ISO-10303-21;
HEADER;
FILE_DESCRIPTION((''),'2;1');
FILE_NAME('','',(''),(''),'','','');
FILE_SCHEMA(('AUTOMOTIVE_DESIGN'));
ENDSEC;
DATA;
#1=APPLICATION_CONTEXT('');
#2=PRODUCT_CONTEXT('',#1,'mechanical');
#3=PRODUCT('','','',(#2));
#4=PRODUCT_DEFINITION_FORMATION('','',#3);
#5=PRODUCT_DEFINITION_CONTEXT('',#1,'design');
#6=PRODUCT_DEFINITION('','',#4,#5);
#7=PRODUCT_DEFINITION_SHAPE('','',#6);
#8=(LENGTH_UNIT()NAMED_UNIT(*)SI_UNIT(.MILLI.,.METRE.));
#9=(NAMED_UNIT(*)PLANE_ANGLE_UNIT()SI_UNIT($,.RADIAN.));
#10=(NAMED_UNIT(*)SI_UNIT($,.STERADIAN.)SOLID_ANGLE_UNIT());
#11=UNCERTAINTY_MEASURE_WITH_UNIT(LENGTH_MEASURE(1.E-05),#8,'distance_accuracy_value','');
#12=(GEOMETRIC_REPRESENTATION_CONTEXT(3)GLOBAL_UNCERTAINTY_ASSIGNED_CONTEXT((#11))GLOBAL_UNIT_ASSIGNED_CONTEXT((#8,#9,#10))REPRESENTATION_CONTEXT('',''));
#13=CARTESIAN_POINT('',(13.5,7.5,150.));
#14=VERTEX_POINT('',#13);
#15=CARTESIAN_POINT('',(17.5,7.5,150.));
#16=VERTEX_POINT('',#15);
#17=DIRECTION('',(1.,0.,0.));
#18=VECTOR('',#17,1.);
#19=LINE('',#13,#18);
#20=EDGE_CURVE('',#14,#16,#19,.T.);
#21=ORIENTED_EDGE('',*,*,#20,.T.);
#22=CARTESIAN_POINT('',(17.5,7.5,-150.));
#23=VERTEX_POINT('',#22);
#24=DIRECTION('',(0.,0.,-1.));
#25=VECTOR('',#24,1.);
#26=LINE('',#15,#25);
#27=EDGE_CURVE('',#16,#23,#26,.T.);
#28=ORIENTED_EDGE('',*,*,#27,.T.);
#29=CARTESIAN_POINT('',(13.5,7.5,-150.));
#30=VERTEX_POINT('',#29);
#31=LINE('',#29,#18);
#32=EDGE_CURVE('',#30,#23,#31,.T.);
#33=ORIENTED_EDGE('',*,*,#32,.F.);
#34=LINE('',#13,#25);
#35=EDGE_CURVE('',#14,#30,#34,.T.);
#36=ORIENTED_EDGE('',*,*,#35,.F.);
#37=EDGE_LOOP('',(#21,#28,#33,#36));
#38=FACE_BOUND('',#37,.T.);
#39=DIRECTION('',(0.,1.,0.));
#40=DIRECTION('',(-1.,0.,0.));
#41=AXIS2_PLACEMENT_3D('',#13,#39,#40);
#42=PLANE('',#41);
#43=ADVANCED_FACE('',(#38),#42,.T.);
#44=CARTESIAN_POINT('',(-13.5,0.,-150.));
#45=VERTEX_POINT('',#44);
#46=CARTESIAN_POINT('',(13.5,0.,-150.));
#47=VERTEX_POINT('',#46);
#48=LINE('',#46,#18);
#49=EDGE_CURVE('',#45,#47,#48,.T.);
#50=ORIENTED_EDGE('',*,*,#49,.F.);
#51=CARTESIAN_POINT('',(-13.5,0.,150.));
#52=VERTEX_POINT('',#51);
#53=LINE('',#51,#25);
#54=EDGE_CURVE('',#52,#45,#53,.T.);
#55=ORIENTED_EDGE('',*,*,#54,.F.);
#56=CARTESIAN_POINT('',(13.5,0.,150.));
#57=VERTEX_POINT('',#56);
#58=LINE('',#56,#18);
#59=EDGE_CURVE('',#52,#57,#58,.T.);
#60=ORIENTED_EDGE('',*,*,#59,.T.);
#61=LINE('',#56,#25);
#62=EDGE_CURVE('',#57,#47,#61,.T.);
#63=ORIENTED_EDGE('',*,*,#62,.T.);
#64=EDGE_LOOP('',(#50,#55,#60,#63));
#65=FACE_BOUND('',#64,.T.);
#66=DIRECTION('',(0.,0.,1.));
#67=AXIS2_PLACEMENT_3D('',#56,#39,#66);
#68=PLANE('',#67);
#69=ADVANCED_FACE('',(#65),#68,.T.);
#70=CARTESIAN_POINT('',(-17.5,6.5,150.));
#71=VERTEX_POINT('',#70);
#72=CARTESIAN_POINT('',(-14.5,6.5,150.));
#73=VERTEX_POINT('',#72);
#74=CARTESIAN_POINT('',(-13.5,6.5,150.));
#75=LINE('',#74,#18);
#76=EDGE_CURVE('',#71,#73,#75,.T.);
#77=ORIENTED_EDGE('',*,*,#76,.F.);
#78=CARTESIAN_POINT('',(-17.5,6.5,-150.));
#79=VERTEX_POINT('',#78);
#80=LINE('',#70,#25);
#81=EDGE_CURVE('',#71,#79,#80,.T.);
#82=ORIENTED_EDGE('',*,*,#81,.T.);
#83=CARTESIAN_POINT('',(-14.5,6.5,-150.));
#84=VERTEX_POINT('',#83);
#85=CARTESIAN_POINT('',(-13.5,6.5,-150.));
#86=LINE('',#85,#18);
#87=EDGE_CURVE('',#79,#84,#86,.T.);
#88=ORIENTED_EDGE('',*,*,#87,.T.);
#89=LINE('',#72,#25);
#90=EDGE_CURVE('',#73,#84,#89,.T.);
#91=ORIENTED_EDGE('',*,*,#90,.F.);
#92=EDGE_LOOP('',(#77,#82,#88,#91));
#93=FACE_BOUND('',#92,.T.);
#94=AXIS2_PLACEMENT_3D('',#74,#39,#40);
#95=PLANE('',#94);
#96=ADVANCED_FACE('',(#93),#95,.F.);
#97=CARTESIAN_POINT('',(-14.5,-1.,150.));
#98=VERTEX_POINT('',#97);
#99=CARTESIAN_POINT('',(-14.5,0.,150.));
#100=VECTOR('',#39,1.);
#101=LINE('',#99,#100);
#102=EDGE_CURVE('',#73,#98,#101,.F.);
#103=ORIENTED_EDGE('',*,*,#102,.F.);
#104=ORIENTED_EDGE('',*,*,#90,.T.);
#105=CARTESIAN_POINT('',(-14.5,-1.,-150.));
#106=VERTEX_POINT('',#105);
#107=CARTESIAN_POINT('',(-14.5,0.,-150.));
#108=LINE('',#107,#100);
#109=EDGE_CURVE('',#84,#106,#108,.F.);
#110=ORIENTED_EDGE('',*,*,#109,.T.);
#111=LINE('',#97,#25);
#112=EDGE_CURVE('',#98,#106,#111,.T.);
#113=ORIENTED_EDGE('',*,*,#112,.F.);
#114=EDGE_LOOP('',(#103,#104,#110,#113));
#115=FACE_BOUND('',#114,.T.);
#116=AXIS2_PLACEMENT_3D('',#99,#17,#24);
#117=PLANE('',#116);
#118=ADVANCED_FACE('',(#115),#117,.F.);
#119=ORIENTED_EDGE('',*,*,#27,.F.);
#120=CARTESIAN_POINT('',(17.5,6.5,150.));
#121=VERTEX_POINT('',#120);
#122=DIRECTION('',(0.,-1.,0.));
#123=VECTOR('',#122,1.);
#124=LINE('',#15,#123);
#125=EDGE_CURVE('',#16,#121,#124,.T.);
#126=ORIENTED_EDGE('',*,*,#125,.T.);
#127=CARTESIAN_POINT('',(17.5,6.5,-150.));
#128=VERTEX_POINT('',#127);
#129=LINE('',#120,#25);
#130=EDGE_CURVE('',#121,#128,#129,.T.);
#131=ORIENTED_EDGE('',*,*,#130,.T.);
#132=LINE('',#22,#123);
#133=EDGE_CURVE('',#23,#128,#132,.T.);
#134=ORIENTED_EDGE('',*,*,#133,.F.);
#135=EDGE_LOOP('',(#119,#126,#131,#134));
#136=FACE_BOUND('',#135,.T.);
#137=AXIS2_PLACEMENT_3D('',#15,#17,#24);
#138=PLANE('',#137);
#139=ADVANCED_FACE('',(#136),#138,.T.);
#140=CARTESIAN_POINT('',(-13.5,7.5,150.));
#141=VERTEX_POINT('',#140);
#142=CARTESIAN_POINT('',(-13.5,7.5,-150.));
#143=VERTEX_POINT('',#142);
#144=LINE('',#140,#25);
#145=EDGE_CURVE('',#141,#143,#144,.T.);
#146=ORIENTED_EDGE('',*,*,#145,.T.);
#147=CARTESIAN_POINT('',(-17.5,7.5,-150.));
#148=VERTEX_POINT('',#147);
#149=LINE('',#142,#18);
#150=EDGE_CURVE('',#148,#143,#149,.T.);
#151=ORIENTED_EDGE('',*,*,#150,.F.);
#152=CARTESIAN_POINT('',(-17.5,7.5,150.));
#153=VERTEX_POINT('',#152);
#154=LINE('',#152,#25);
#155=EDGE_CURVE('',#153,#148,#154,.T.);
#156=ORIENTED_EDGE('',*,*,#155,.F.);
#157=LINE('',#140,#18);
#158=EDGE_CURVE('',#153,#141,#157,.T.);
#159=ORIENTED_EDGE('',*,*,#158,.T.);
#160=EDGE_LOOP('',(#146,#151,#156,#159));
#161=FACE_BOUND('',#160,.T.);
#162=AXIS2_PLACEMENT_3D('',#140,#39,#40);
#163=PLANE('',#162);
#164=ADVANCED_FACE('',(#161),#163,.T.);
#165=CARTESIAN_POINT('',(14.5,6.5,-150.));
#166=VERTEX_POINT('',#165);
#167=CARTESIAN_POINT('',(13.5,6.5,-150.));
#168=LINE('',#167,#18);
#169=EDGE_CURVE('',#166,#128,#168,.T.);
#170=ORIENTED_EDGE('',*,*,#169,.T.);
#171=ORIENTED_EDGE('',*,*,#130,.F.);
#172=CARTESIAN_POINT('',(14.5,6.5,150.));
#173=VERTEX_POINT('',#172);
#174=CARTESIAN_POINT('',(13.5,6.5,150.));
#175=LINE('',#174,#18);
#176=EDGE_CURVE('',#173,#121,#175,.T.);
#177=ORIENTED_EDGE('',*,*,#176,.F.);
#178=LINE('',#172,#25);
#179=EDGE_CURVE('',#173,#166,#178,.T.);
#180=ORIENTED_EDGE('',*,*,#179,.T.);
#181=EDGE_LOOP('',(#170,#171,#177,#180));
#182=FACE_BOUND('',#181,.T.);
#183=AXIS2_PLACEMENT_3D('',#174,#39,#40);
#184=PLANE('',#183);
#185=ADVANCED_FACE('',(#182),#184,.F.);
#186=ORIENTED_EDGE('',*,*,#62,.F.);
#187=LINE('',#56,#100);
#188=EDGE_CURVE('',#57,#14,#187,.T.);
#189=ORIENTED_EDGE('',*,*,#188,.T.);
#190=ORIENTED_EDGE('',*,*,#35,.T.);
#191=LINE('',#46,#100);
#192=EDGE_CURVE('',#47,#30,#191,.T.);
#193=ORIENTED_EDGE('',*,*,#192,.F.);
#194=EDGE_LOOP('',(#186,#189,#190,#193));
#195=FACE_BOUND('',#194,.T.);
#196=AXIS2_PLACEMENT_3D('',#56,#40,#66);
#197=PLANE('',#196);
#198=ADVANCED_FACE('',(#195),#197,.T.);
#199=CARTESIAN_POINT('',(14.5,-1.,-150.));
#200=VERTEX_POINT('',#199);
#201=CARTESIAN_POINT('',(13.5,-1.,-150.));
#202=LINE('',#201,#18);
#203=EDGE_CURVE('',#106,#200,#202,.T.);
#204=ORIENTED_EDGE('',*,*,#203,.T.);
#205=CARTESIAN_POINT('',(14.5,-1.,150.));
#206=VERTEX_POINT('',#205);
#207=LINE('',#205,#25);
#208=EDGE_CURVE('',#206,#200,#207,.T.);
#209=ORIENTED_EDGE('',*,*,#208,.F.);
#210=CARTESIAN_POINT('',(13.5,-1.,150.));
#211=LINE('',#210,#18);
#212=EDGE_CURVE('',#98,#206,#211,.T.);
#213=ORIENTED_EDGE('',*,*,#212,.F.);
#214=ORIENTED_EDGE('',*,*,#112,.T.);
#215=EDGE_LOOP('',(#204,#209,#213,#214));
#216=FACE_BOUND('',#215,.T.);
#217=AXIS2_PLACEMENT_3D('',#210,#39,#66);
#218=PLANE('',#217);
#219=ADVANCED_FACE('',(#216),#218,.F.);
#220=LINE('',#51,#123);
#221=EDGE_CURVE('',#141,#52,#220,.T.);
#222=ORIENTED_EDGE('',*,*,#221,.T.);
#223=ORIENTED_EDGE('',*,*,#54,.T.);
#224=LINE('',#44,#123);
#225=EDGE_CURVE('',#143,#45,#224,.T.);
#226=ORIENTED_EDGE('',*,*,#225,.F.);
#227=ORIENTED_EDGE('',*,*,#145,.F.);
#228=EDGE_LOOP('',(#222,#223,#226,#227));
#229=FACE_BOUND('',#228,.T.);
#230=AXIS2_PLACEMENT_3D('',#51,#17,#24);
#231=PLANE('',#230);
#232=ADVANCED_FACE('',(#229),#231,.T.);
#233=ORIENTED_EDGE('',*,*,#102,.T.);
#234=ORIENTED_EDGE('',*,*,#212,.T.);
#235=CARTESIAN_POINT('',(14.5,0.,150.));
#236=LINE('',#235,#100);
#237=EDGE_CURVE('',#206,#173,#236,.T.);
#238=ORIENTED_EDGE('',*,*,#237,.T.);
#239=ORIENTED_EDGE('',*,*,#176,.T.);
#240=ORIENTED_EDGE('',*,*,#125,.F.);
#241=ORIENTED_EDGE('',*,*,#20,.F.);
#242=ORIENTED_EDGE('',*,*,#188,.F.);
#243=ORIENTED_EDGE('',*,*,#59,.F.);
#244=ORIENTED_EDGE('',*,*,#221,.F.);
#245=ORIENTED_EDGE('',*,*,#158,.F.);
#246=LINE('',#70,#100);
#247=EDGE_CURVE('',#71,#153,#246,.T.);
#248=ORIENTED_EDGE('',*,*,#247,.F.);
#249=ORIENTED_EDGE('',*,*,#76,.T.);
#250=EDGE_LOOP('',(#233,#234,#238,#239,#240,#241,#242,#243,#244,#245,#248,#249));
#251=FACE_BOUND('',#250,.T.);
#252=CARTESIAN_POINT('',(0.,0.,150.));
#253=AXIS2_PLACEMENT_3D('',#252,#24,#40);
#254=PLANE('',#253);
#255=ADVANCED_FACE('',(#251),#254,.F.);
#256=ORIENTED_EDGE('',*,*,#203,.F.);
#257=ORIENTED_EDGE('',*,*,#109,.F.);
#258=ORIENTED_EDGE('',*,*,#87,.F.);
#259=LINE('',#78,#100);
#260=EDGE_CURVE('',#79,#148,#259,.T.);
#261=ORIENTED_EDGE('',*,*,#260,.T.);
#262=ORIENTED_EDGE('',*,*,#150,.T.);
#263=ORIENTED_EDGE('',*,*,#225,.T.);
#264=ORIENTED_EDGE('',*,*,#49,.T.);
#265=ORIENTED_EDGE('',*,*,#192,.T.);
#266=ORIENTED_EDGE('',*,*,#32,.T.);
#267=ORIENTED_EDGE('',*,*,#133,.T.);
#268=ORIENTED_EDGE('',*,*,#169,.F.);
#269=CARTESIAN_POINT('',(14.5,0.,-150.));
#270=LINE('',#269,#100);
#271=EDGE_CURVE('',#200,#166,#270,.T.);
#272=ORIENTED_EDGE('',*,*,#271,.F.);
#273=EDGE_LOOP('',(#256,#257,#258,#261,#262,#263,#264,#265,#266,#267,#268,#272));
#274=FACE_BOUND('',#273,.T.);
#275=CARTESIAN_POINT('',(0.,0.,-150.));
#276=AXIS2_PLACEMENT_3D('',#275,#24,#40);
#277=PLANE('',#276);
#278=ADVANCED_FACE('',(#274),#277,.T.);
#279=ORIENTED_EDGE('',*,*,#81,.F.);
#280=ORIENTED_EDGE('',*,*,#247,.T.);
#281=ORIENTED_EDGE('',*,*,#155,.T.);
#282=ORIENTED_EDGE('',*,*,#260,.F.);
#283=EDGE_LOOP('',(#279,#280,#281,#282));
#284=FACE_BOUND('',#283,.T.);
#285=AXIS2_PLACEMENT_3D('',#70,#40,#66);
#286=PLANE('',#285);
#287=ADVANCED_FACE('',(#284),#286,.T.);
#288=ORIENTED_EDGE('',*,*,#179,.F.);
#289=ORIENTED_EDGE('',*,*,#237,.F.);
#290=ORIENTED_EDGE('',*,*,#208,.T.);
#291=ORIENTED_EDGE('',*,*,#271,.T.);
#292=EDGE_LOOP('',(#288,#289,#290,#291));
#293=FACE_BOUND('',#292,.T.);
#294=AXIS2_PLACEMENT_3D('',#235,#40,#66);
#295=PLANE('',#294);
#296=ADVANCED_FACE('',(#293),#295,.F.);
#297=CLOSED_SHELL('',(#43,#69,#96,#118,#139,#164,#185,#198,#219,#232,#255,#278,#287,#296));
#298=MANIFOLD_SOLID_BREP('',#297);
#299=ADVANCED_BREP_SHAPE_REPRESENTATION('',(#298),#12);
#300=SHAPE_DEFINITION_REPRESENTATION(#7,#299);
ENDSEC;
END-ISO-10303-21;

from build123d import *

# Parameters (mm, degrees)
EXTRUDE_THIN1_DEPTH = 150


with BuildPart() as part:
    # Sketch1 → Extrude-Thin1 (new, symmetric)
    with BuildSketch(Plane.XY):
        Polygon((17.5, 7.5), (13.5, 7.5), (13.5, 0), (-13.5, 0), (-13.5, 7.5), (-17.5, 7.5), (-17.5, 6.5), (-14.5, 6.5), (-14.5, -1), (14.5, -1), (14.5, 6.5), (17.5, 6.5), align=None)
    extrude(amount=EXTRUDE_THIN1_DEPTH, both=True)


solid = part.part
